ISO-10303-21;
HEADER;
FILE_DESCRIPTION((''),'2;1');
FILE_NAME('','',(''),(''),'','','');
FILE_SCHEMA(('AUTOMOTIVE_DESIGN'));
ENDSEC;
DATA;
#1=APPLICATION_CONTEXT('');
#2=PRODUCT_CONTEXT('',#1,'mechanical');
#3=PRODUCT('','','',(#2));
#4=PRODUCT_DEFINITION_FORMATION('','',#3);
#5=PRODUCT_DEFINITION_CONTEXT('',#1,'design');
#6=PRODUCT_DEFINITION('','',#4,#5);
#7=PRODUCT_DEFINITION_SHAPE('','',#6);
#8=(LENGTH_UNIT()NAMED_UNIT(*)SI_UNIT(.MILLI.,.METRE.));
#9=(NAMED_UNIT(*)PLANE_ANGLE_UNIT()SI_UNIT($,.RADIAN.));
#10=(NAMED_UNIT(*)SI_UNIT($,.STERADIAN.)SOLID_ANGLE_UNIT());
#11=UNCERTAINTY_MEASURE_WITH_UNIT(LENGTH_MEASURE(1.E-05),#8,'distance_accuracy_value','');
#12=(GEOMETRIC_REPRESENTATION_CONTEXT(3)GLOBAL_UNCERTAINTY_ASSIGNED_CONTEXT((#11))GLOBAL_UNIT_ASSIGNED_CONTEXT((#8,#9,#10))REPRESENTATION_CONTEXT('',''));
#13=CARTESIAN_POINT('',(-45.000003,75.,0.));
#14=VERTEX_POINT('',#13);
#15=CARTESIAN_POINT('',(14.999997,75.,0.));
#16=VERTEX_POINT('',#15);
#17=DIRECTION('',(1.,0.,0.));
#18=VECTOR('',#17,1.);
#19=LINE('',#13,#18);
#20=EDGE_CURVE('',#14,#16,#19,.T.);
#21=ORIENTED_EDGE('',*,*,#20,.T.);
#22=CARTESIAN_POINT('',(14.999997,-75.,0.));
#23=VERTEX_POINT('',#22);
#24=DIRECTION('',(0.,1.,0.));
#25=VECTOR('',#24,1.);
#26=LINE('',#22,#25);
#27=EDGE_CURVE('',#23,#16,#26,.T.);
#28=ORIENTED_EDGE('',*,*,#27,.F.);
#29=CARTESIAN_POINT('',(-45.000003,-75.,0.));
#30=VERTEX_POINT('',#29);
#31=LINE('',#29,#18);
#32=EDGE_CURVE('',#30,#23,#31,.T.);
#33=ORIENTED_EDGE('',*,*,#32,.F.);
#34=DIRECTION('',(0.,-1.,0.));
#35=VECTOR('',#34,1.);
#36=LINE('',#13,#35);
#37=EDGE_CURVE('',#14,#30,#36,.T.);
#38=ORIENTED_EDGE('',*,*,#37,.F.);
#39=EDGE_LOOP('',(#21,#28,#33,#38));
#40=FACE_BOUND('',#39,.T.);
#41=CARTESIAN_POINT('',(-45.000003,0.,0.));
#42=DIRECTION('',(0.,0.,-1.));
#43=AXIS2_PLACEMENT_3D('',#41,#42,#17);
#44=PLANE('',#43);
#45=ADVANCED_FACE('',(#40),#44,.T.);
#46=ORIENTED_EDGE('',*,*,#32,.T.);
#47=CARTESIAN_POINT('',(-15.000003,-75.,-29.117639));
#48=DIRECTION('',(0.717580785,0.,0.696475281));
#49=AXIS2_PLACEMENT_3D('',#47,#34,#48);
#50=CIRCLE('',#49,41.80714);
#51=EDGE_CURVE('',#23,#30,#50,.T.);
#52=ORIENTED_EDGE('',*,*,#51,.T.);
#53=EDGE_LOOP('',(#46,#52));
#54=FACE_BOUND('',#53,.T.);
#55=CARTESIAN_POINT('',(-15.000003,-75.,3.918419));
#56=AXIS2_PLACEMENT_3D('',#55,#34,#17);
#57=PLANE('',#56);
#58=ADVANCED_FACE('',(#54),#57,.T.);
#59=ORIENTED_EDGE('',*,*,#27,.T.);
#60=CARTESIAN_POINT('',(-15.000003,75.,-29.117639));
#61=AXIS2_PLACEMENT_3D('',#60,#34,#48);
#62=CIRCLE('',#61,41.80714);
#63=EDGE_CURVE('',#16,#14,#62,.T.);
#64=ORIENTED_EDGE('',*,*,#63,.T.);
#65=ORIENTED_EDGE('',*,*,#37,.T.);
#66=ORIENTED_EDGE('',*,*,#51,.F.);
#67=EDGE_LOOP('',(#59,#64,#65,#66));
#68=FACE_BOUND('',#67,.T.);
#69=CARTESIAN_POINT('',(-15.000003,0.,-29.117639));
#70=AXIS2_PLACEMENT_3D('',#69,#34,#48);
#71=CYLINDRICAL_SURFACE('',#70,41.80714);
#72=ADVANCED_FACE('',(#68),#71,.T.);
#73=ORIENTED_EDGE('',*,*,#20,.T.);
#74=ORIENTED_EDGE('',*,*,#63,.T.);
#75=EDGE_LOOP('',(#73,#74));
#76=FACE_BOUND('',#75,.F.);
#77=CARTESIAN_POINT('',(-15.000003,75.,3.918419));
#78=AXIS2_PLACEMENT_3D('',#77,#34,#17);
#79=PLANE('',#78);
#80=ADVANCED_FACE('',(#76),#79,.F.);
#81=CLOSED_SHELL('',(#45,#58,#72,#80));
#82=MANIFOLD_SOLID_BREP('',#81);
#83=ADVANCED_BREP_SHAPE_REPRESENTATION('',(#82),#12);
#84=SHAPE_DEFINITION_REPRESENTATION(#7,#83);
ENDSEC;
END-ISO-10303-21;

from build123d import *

# Parameters (mm, degrees)
F1_DEPTH = 75


with BuildPart() as f1:
    # F0 (on Front) → F1 (new body, symmetric)
    with BuildSketch(Plane.XZ):
        with BuildLine():
            ThreePointArc((14.9999966252, 0), (-15.0000033748, 12.6895002696), (-45.0000033748, 0))
            Line((-45.0000033748, 0), (14.9999966252, 0))
        make_face()
    extrude(amount=F1_DEPTH, both=True)


solid = f1.part
